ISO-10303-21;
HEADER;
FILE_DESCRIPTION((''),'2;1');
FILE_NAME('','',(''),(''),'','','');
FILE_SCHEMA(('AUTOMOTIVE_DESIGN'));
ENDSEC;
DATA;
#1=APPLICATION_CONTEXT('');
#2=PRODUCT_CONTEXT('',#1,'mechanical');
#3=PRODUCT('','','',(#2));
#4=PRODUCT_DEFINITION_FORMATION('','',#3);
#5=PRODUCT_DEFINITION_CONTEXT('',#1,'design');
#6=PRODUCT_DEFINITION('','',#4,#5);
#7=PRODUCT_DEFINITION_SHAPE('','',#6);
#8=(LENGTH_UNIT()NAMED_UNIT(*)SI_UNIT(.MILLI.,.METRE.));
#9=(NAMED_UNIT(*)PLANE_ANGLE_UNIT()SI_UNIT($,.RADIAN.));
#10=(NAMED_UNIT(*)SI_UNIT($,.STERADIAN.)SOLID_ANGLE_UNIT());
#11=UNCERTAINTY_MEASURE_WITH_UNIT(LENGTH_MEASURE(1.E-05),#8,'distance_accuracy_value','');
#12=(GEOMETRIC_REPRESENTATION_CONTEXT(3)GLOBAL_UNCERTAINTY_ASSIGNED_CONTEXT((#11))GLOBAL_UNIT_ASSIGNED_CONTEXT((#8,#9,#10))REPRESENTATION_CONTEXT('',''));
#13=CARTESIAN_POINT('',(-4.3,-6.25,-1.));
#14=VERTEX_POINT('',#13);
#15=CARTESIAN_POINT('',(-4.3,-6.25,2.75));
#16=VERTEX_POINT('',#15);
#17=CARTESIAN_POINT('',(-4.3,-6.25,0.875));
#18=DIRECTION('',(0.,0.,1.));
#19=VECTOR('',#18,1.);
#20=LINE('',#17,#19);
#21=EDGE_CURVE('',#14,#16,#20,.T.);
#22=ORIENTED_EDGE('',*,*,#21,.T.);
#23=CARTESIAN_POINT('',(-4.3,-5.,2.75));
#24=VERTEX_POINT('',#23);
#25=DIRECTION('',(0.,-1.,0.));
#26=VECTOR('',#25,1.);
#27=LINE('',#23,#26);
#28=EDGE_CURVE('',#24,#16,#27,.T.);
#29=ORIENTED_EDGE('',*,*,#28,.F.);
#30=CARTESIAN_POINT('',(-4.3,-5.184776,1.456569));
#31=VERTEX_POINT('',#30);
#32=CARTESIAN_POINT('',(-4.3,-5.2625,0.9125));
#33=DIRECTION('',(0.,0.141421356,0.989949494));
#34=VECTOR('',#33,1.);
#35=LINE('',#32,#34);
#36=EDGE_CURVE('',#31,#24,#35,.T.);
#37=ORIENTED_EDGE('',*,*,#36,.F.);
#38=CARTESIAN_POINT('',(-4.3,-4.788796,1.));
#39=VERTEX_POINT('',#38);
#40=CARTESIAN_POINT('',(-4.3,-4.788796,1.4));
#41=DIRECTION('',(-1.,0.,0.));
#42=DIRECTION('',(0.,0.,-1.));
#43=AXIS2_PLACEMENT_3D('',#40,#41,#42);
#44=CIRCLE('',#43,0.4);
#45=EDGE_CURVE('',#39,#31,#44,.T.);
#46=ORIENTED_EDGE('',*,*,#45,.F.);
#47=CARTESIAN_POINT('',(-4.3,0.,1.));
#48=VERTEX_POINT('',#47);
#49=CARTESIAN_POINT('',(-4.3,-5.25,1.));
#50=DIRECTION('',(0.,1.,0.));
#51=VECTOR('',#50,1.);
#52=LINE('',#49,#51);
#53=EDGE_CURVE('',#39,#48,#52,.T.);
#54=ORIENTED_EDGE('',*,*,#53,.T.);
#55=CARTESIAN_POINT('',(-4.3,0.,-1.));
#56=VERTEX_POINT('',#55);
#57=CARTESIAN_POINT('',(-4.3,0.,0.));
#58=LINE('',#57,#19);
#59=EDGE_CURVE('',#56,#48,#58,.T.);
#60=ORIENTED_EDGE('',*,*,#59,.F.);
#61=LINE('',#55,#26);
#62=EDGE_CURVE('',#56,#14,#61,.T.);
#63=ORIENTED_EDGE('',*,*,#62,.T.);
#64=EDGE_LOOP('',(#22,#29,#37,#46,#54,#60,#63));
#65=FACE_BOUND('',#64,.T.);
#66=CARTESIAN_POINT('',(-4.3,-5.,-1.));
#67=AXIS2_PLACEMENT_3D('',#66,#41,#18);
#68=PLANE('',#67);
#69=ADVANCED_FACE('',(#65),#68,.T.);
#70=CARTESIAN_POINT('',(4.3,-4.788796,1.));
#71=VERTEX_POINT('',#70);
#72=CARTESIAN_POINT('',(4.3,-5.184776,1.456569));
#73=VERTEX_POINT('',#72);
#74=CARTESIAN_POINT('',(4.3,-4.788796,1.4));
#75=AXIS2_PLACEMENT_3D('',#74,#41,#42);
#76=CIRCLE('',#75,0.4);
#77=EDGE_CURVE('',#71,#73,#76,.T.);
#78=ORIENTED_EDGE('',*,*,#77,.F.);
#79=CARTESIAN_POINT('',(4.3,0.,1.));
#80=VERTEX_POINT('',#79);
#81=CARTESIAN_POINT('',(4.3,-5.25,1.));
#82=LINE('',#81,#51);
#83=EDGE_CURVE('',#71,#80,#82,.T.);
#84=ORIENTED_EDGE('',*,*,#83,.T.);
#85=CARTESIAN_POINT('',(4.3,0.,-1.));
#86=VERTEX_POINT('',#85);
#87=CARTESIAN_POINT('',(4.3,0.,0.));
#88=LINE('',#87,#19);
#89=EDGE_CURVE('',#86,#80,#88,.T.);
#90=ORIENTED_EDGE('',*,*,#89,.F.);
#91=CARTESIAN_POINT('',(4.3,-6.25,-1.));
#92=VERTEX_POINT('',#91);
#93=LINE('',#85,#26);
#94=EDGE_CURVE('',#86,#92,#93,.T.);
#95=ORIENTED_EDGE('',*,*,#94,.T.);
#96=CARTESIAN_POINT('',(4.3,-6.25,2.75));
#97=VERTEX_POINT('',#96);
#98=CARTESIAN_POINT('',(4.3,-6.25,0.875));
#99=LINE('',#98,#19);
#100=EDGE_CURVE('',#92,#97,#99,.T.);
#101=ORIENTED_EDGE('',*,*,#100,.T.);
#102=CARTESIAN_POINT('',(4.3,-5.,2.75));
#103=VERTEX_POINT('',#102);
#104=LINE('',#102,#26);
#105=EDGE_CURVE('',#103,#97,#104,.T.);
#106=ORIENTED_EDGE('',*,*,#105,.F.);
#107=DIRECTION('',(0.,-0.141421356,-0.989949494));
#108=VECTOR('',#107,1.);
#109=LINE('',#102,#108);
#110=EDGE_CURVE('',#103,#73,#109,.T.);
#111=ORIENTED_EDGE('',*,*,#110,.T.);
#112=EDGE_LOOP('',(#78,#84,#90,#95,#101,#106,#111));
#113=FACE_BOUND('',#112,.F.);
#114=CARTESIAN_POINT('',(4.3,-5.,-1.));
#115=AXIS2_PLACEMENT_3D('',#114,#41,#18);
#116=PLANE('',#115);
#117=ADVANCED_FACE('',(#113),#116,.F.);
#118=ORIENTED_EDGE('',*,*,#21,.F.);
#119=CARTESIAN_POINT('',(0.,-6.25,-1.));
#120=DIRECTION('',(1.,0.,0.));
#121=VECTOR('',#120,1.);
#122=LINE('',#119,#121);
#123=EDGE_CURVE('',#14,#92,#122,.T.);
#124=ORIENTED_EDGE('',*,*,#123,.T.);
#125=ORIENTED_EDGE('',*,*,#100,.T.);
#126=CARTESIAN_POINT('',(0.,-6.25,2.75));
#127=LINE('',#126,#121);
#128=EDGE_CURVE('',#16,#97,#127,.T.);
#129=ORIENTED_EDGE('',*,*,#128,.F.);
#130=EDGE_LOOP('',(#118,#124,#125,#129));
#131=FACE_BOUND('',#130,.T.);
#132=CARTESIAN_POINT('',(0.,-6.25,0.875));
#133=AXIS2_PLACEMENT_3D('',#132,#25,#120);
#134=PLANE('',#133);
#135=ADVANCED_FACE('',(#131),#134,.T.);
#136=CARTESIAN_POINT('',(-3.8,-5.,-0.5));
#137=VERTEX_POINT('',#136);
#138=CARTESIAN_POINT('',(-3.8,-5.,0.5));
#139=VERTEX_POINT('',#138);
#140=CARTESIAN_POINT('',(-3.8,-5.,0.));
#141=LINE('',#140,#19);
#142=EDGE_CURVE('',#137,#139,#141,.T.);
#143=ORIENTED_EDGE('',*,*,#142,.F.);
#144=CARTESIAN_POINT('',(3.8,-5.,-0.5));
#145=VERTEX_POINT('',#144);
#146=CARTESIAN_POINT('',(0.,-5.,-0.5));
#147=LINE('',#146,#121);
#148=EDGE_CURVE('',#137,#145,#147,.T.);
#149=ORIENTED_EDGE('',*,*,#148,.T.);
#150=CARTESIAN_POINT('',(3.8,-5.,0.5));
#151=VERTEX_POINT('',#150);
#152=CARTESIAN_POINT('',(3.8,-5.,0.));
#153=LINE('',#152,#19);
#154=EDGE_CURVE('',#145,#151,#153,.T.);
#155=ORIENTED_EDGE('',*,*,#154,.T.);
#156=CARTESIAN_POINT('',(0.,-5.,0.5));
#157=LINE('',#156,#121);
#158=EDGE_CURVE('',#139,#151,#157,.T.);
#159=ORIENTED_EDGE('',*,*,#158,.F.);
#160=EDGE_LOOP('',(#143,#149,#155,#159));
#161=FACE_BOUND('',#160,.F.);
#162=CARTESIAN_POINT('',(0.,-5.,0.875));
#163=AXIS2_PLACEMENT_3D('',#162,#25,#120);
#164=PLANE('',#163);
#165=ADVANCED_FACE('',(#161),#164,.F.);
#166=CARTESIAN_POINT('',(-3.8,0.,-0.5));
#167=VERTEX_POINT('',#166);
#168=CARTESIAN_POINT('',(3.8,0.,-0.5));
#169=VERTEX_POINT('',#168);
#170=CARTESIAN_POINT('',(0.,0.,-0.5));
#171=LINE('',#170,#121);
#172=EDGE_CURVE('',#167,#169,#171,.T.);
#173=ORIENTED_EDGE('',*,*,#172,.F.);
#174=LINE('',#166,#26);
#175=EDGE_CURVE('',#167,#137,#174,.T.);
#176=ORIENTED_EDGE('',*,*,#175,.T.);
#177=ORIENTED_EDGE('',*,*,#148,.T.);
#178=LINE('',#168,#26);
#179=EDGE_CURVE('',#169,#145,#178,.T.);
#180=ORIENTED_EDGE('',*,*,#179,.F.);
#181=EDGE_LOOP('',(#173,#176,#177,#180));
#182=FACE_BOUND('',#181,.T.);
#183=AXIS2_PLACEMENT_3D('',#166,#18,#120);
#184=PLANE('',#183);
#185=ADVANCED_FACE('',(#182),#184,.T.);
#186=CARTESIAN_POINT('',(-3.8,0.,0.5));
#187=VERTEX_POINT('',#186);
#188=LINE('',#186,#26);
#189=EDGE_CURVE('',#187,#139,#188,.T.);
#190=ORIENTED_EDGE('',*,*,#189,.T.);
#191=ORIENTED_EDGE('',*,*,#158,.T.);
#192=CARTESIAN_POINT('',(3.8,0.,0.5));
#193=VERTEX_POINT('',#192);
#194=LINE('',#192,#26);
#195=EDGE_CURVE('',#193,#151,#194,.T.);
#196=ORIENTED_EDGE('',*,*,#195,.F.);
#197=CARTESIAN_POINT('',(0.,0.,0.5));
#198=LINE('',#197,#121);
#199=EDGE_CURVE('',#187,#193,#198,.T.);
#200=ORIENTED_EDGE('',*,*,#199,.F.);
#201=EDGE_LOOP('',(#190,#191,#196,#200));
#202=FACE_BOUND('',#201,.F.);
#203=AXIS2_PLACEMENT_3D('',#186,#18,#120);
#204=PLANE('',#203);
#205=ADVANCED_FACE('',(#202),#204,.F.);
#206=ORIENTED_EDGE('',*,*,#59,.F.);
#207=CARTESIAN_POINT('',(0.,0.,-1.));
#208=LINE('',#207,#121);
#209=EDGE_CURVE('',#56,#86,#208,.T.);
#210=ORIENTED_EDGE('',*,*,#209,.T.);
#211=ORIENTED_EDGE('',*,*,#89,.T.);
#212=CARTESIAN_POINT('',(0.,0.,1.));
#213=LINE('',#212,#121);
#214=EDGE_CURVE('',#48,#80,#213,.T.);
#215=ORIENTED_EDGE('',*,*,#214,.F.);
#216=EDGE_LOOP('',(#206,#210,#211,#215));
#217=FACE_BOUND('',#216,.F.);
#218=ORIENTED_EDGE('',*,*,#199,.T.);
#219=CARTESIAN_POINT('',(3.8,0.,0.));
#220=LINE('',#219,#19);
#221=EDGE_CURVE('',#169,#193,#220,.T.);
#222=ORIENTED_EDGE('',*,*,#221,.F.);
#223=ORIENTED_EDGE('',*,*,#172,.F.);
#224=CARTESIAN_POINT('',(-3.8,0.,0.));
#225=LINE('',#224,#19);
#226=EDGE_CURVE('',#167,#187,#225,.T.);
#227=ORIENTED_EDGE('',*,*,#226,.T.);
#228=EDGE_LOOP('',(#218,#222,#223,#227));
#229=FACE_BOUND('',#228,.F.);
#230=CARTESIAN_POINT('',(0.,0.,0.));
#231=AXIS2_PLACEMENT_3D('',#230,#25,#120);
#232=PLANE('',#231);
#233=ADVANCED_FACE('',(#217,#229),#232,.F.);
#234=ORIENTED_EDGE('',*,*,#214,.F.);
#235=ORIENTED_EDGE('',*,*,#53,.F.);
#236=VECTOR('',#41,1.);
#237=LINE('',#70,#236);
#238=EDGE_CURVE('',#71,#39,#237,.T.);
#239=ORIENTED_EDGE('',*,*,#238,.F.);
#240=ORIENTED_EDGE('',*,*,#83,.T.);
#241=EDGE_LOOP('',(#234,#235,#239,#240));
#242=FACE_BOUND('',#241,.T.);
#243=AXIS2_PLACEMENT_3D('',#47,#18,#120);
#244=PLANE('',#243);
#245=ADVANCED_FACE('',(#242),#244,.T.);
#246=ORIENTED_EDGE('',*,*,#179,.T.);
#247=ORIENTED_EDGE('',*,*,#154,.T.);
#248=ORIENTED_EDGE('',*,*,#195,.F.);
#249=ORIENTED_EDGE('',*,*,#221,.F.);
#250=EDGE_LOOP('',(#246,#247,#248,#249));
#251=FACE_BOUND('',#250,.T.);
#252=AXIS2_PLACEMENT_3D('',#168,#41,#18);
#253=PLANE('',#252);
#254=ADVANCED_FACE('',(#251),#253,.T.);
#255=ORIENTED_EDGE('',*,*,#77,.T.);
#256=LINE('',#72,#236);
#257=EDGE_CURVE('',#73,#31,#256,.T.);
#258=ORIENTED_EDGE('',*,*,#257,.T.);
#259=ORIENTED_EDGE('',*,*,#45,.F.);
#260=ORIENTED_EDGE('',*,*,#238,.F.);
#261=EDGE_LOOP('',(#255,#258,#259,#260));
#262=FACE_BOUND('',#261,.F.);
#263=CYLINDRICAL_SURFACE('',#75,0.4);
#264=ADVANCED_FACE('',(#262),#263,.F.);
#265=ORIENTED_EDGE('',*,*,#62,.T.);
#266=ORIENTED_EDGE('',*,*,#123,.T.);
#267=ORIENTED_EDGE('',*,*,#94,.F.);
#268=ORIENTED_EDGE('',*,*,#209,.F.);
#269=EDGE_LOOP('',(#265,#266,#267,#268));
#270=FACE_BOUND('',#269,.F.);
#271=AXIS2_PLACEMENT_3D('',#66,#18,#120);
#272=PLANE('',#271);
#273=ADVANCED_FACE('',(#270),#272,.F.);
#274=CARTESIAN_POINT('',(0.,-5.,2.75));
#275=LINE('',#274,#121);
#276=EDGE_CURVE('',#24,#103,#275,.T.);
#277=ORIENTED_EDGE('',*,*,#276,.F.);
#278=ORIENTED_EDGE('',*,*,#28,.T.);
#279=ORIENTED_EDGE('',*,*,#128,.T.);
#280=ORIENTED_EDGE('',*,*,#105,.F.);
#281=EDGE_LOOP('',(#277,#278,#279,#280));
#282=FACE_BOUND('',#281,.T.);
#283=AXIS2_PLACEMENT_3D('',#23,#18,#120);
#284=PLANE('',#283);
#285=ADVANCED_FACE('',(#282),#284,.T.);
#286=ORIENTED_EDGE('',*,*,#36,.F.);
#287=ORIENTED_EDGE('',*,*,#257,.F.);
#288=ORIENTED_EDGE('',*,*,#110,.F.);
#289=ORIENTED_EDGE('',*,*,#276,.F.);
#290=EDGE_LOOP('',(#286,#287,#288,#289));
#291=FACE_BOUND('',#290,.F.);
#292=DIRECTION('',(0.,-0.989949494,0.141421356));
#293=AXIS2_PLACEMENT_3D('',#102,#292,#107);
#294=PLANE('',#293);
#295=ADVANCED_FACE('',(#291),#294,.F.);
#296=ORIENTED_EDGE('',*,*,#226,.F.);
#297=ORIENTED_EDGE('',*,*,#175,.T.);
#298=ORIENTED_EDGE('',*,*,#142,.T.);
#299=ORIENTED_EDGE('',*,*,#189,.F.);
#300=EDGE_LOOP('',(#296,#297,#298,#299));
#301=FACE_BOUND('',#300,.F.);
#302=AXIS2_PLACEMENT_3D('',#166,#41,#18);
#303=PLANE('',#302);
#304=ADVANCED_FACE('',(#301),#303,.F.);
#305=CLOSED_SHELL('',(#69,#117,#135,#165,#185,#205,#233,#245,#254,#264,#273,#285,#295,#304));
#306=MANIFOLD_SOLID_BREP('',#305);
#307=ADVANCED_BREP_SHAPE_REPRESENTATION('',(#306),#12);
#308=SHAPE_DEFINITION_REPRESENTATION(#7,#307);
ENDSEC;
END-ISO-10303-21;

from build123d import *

# Parameters (mm, degrees)
F0_W     = 8.6
F0_H     = 2
F0_W_2   = 7.6
F0_H_2   = 1
F1_DEPTH = 5
F2_W     = 8.6
F2_H     = 3.75
F3_DEPTH = 1.25
F5_DEPTH = 8.601
F6_R     = 0.4


with BuildPart() as f1:
    # F0 (on Front) → F1 (new body)
    with BuildSketch(Plane.XZ):
        Rectangle(F0_W, F0_H)
        Rectangle(F0_W_2, F0_H_2, mode=Mode.SUBTRACT)
    extrude(amount=F1_DEPTH)

    # F2 (on face) → F3 (join)
    with BuildSketch(Plane.XZ.offset(5)):
        with Locations((0, 0.875)):
            Rectangle(F2_W, F2_H)
    extrude(amount=F3_DEPTH)

    # F4 (on face) → F5 (cut, through all)
    with BuildSketch(Plane.YZ.offset(4.3)):
        Polygon((-5, 1), (-5, 2.75), (-5.25, 1), align=None)
    extrude(amount=-F5_DEPTH, mode=Mode.SUBTRACT)

    # F6
    f6_edges = [f1.edges().sort_by_distance(p)[0] for p in [
        (0, -5.25, 1),
    ]]
    fillet(f6_edges, radius=F6_R)


solid = f1.part
